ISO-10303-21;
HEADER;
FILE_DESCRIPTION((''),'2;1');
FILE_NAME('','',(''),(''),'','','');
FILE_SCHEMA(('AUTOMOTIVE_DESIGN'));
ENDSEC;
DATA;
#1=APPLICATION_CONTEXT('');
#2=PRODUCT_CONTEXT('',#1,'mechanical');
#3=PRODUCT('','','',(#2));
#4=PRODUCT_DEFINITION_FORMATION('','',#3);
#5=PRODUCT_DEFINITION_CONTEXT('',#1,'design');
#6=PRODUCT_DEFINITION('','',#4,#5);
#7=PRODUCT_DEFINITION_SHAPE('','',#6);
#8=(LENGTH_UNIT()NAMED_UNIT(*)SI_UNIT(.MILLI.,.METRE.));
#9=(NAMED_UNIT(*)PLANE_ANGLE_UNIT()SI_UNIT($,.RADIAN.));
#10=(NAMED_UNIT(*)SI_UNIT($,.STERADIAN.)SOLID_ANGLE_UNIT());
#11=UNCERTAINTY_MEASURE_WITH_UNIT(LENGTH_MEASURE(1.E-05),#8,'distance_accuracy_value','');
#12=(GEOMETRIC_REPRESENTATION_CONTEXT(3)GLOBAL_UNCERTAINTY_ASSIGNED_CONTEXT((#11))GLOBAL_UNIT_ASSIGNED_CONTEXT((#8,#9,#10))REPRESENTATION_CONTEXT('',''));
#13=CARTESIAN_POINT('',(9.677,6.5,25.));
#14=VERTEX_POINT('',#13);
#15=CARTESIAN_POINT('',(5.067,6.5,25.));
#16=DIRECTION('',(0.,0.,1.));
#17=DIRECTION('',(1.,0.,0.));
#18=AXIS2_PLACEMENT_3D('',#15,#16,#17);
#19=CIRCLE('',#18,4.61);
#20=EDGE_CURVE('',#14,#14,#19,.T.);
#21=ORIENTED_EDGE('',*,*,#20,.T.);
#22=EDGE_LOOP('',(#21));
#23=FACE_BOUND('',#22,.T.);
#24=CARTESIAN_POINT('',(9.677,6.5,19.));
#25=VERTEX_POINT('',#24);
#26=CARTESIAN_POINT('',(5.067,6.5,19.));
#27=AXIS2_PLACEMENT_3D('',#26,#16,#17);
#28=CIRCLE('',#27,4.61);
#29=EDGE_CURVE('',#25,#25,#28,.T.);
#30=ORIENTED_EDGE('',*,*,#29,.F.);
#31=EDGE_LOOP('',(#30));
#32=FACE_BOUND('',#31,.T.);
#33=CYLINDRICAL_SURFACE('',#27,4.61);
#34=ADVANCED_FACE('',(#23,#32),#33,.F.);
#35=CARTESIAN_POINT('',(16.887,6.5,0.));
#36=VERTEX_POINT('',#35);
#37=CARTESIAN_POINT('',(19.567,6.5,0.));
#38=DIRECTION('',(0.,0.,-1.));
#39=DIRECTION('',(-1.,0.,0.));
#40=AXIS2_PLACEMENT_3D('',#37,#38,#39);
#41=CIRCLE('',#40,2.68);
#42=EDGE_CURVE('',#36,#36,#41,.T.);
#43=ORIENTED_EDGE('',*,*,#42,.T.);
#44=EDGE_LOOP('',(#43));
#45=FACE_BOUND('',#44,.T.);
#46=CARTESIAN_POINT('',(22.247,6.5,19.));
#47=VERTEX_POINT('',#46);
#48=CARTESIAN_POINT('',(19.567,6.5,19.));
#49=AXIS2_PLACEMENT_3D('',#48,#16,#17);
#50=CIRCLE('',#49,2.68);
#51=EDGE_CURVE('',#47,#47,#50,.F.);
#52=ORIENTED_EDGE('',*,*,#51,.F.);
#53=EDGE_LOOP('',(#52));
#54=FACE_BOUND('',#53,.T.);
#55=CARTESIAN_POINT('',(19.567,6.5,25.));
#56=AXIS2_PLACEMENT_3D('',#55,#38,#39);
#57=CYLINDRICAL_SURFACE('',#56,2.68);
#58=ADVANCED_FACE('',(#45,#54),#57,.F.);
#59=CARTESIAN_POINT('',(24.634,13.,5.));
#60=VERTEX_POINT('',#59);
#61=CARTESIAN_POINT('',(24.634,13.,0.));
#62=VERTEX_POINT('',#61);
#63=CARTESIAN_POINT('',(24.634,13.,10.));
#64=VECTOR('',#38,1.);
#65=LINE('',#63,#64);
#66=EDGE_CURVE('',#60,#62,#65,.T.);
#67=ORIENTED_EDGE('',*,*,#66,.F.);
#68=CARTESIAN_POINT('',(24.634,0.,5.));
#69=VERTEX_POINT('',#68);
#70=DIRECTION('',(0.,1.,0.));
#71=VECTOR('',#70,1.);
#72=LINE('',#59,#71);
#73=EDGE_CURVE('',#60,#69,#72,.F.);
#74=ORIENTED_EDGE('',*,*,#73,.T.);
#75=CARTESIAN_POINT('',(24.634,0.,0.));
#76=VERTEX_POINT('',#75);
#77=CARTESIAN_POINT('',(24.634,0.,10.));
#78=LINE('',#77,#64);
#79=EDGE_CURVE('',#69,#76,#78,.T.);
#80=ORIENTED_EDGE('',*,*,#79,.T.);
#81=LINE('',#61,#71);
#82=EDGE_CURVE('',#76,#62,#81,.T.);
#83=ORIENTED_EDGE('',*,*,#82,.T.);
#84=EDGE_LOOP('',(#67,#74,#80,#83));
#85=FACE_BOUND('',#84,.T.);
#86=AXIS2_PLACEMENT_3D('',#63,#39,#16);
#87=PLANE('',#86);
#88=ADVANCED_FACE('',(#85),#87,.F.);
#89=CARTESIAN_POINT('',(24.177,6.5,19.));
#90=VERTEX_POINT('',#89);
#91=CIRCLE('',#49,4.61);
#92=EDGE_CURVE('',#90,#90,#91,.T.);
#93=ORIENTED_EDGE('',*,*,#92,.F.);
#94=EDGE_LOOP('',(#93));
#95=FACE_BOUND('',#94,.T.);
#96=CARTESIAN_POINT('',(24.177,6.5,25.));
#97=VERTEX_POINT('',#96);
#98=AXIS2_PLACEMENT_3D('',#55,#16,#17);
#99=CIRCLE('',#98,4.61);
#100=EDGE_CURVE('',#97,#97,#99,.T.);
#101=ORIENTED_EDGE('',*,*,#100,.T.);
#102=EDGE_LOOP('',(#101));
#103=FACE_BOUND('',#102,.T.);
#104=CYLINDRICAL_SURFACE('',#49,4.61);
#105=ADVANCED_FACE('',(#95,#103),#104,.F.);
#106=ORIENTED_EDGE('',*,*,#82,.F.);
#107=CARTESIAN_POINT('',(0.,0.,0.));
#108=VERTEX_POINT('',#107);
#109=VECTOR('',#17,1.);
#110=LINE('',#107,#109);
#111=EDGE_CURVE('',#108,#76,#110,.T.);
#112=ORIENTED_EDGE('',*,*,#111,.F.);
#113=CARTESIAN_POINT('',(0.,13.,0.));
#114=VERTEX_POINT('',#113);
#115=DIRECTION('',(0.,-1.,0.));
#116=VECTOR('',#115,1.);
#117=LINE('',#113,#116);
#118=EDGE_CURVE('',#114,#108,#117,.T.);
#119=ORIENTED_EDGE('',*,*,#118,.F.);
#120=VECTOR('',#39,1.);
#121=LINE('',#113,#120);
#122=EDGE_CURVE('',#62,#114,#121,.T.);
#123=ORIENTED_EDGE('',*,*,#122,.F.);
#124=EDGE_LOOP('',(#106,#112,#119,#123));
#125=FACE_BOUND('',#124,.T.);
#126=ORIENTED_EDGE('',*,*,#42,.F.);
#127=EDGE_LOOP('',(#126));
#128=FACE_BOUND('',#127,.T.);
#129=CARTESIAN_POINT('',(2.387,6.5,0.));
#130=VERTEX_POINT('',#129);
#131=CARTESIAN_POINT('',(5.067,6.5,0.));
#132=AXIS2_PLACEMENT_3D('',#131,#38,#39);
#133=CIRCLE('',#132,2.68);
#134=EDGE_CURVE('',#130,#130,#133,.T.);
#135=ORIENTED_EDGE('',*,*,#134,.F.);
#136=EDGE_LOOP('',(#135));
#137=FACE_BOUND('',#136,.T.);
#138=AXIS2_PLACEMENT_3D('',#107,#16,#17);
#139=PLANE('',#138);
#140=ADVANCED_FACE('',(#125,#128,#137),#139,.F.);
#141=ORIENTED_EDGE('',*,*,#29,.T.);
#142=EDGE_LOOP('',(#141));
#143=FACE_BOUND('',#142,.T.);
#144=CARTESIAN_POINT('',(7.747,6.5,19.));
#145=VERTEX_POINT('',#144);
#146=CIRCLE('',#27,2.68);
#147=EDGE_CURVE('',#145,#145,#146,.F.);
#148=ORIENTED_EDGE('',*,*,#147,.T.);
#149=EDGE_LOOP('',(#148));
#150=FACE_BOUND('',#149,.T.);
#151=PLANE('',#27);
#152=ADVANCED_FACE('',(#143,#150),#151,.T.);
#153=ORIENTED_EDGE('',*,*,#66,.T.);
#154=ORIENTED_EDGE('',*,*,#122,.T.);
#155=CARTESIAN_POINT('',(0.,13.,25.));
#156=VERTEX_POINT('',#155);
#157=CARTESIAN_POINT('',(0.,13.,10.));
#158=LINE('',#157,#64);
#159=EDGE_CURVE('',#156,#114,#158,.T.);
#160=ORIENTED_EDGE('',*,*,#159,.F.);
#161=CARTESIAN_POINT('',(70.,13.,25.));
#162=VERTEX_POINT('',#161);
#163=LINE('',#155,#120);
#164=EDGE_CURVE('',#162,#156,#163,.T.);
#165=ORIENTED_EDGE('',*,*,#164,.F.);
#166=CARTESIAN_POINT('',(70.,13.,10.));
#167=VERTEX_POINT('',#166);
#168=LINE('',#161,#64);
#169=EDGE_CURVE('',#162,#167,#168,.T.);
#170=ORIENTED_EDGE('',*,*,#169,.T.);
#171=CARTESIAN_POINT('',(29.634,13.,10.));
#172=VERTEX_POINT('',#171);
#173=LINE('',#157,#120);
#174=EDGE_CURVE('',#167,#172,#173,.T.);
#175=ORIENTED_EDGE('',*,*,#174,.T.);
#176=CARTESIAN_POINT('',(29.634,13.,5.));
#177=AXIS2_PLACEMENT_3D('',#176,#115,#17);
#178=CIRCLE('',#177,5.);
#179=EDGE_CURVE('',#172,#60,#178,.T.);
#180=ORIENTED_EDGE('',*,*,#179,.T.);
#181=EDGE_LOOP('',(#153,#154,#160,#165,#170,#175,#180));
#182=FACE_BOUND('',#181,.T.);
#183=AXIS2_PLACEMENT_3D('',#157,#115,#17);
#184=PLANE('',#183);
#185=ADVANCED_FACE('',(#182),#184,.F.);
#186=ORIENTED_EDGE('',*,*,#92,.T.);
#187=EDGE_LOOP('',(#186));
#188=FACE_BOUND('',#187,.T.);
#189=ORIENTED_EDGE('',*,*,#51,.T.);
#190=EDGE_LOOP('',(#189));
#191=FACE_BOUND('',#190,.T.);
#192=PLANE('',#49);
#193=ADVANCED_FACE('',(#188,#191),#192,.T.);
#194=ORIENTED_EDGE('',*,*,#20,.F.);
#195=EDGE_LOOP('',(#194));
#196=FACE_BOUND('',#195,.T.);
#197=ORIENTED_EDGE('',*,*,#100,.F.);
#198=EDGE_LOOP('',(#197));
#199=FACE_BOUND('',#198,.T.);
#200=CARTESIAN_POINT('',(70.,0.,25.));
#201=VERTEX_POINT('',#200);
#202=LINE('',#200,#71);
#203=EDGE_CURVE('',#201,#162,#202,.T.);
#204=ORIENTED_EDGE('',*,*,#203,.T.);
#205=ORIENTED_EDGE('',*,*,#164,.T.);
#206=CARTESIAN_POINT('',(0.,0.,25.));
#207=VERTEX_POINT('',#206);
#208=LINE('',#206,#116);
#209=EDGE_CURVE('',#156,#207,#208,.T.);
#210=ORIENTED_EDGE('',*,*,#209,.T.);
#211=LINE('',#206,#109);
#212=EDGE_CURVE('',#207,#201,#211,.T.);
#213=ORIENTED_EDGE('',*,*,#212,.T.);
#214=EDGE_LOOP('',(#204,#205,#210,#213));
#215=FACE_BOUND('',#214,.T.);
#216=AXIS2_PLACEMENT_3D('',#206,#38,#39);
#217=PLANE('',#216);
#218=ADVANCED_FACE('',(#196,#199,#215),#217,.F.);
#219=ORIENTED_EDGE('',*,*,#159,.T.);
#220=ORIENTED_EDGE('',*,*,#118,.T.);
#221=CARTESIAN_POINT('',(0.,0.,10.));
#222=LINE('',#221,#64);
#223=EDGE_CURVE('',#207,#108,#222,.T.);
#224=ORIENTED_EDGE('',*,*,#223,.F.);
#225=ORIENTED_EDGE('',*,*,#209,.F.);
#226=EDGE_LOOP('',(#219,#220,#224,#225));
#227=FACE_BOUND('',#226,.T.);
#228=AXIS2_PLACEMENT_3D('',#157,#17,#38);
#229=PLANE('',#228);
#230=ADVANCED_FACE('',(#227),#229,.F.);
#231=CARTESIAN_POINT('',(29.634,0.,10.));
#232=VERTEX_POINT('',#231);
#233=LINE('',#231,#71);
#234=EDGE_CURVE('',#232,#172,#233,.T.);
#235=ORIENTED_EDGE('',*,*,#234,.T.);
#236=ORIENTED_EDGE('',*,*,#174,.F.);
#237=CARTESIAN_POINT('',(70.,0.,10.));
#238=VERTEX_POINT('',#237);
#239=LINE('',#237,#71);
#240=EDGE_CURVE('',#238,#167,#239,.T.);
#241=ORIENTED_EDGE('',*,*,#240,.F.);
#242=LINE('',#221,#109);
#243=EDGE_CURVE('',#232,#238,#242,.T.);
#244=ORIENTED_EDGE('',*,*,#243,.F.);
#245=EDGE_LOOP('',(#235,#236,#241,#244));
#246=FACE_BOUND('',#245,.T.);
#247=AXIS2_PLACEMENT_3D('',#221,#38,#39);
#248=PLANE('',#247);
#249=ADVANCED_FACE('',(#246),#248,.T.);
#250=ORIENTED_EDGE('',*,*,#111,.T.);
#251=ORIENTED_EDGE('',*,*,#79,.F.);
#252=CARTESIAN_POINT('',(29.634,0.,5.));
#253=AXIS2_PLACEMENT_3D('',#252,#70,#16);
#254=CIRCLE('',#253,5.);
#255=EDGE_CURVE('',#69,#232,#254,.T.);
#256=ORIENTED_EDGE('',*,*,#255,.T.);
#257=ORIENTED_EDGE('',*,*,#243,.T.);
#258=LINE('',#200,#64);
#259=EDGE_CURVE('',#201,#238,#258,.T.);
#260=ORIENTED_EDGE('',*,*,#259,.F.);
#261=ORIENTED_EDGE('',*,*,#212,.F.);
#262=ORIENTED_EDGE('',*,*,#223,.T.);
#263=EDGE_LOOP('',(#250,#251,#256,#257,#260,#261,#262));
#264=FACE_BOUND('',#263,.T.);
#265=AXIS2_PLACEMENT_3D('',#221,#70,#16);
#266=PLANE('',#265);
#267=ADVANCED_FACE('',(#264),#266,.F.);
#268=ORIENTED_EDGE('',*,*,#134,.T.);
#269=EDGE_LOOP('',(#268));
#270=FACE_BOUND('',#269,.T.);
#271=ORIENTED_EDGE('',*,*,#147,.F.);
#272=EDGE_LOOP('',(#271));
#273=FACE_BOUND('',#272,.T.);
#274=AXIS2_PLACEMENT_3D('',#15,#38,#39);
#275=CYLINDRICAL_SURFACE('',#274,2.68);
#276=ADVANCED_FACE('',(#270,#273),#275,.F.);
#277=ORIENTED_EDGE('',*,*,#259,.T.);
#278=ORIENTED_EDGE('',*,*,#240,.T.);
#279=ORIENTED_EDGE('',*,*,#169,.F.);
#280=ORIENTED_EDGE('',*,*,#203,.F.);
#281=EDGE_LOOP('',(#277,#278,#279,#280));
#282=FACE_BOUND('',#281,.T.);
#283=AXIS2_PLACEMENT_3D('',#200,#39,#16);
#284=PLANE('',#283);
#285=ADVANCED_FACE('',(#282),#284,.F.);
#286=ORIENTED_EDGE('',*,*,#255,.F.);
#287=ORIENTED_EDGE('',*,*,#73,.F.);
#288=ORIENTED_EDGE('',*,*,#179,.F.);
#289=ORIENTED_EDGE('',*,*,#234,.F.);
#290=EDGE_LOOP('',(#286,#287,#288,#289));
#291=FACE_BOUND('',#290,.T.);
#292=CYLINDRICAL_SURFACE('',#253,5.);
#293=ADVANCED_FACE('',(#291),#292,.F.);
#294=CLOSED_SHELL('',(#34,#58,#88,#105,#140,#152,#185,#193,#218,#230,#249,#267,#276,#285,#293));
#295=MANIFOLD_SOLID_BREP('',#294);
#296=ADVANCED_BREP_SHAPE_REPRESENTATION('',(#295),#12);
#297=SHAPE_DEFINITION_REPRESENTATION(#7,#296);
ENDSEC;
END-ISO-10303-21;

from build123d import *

# Parameters (mm, degrees)
SKETCH1_W           = 24.634
SKETCH1_H           = 13
BOSS_EXTRUDE1_DEPTH = 10
SKETCH4_W           = 70
SKETCH4_H           = 13
BOSS_EXTRUDE4_DEPTH = 15
FILLET2_R           = 5
SKETCH11_R          = 2.68
CUT_EXTRUDE3_DEPTH  = 26
SKETCH12_R          = 4.61
CUT_EXTRUDE4_DEPTH  = 6


with BuildPart() as part:
    # Sketch1 → Boss-Extrude1 (new body)
    with BuildSketch(Plane.XY):
        with Locations((12.317, 6.5)):
            Rectangle(SKETCH1_W, SKETCH1_H)
    extrude(amount=BOSS_EXTRUDE1_DEPTH)

    # Sketch4 → Boss-Extrude4 (add)
    with BuildSketch(Plane.XY.offset(10)):
        with Locations((35, 6.5)):
            Rectangle(SKETCH4_W, SKETCH4_H)
    extrude(amount=BOSS_EXTRUDE4_DEPTH)

    # Fillet2
    fillet2_edges = [part.edges().sort_by_distance(p)[0] for p in [
        (24.634, 6.5, 10),
    ]]
    fillet(fillet2_edges, radius=FILLET2_R)

    # Sketch11 → Cut-Extrude3 (cut, through all)
    with BuildSketch(Plane(origin=(0, 0, 0), x_dir=(-1, 0, 0), z_dir=(0, 0, -1))):
        with Locations((-5.067, 6.5)):
            Circle(SKETCH11_R)
        with Locations((-19.567, 6.5)):
            Circle(SKETCH11_R)
    extrude(amount=-CUT_EXTRUDE3_DEPTH, mode=Mode.SUBTRACT)

    # Sketch12 → Cut-Extrude4 (cut)
    with BuildSketch(Plane.XY.offset(25)):
        with Locations((5.067, 6.5)):
            Circle(SKETCH12_R)
        with Locations((19.567, 6.5)):
            Circle(SKETCH12_R)
    extrude(amount=-CUT_EXTRUDE4_DEPTH, mode=Mode.SUBTRACT)


solid = part.part
